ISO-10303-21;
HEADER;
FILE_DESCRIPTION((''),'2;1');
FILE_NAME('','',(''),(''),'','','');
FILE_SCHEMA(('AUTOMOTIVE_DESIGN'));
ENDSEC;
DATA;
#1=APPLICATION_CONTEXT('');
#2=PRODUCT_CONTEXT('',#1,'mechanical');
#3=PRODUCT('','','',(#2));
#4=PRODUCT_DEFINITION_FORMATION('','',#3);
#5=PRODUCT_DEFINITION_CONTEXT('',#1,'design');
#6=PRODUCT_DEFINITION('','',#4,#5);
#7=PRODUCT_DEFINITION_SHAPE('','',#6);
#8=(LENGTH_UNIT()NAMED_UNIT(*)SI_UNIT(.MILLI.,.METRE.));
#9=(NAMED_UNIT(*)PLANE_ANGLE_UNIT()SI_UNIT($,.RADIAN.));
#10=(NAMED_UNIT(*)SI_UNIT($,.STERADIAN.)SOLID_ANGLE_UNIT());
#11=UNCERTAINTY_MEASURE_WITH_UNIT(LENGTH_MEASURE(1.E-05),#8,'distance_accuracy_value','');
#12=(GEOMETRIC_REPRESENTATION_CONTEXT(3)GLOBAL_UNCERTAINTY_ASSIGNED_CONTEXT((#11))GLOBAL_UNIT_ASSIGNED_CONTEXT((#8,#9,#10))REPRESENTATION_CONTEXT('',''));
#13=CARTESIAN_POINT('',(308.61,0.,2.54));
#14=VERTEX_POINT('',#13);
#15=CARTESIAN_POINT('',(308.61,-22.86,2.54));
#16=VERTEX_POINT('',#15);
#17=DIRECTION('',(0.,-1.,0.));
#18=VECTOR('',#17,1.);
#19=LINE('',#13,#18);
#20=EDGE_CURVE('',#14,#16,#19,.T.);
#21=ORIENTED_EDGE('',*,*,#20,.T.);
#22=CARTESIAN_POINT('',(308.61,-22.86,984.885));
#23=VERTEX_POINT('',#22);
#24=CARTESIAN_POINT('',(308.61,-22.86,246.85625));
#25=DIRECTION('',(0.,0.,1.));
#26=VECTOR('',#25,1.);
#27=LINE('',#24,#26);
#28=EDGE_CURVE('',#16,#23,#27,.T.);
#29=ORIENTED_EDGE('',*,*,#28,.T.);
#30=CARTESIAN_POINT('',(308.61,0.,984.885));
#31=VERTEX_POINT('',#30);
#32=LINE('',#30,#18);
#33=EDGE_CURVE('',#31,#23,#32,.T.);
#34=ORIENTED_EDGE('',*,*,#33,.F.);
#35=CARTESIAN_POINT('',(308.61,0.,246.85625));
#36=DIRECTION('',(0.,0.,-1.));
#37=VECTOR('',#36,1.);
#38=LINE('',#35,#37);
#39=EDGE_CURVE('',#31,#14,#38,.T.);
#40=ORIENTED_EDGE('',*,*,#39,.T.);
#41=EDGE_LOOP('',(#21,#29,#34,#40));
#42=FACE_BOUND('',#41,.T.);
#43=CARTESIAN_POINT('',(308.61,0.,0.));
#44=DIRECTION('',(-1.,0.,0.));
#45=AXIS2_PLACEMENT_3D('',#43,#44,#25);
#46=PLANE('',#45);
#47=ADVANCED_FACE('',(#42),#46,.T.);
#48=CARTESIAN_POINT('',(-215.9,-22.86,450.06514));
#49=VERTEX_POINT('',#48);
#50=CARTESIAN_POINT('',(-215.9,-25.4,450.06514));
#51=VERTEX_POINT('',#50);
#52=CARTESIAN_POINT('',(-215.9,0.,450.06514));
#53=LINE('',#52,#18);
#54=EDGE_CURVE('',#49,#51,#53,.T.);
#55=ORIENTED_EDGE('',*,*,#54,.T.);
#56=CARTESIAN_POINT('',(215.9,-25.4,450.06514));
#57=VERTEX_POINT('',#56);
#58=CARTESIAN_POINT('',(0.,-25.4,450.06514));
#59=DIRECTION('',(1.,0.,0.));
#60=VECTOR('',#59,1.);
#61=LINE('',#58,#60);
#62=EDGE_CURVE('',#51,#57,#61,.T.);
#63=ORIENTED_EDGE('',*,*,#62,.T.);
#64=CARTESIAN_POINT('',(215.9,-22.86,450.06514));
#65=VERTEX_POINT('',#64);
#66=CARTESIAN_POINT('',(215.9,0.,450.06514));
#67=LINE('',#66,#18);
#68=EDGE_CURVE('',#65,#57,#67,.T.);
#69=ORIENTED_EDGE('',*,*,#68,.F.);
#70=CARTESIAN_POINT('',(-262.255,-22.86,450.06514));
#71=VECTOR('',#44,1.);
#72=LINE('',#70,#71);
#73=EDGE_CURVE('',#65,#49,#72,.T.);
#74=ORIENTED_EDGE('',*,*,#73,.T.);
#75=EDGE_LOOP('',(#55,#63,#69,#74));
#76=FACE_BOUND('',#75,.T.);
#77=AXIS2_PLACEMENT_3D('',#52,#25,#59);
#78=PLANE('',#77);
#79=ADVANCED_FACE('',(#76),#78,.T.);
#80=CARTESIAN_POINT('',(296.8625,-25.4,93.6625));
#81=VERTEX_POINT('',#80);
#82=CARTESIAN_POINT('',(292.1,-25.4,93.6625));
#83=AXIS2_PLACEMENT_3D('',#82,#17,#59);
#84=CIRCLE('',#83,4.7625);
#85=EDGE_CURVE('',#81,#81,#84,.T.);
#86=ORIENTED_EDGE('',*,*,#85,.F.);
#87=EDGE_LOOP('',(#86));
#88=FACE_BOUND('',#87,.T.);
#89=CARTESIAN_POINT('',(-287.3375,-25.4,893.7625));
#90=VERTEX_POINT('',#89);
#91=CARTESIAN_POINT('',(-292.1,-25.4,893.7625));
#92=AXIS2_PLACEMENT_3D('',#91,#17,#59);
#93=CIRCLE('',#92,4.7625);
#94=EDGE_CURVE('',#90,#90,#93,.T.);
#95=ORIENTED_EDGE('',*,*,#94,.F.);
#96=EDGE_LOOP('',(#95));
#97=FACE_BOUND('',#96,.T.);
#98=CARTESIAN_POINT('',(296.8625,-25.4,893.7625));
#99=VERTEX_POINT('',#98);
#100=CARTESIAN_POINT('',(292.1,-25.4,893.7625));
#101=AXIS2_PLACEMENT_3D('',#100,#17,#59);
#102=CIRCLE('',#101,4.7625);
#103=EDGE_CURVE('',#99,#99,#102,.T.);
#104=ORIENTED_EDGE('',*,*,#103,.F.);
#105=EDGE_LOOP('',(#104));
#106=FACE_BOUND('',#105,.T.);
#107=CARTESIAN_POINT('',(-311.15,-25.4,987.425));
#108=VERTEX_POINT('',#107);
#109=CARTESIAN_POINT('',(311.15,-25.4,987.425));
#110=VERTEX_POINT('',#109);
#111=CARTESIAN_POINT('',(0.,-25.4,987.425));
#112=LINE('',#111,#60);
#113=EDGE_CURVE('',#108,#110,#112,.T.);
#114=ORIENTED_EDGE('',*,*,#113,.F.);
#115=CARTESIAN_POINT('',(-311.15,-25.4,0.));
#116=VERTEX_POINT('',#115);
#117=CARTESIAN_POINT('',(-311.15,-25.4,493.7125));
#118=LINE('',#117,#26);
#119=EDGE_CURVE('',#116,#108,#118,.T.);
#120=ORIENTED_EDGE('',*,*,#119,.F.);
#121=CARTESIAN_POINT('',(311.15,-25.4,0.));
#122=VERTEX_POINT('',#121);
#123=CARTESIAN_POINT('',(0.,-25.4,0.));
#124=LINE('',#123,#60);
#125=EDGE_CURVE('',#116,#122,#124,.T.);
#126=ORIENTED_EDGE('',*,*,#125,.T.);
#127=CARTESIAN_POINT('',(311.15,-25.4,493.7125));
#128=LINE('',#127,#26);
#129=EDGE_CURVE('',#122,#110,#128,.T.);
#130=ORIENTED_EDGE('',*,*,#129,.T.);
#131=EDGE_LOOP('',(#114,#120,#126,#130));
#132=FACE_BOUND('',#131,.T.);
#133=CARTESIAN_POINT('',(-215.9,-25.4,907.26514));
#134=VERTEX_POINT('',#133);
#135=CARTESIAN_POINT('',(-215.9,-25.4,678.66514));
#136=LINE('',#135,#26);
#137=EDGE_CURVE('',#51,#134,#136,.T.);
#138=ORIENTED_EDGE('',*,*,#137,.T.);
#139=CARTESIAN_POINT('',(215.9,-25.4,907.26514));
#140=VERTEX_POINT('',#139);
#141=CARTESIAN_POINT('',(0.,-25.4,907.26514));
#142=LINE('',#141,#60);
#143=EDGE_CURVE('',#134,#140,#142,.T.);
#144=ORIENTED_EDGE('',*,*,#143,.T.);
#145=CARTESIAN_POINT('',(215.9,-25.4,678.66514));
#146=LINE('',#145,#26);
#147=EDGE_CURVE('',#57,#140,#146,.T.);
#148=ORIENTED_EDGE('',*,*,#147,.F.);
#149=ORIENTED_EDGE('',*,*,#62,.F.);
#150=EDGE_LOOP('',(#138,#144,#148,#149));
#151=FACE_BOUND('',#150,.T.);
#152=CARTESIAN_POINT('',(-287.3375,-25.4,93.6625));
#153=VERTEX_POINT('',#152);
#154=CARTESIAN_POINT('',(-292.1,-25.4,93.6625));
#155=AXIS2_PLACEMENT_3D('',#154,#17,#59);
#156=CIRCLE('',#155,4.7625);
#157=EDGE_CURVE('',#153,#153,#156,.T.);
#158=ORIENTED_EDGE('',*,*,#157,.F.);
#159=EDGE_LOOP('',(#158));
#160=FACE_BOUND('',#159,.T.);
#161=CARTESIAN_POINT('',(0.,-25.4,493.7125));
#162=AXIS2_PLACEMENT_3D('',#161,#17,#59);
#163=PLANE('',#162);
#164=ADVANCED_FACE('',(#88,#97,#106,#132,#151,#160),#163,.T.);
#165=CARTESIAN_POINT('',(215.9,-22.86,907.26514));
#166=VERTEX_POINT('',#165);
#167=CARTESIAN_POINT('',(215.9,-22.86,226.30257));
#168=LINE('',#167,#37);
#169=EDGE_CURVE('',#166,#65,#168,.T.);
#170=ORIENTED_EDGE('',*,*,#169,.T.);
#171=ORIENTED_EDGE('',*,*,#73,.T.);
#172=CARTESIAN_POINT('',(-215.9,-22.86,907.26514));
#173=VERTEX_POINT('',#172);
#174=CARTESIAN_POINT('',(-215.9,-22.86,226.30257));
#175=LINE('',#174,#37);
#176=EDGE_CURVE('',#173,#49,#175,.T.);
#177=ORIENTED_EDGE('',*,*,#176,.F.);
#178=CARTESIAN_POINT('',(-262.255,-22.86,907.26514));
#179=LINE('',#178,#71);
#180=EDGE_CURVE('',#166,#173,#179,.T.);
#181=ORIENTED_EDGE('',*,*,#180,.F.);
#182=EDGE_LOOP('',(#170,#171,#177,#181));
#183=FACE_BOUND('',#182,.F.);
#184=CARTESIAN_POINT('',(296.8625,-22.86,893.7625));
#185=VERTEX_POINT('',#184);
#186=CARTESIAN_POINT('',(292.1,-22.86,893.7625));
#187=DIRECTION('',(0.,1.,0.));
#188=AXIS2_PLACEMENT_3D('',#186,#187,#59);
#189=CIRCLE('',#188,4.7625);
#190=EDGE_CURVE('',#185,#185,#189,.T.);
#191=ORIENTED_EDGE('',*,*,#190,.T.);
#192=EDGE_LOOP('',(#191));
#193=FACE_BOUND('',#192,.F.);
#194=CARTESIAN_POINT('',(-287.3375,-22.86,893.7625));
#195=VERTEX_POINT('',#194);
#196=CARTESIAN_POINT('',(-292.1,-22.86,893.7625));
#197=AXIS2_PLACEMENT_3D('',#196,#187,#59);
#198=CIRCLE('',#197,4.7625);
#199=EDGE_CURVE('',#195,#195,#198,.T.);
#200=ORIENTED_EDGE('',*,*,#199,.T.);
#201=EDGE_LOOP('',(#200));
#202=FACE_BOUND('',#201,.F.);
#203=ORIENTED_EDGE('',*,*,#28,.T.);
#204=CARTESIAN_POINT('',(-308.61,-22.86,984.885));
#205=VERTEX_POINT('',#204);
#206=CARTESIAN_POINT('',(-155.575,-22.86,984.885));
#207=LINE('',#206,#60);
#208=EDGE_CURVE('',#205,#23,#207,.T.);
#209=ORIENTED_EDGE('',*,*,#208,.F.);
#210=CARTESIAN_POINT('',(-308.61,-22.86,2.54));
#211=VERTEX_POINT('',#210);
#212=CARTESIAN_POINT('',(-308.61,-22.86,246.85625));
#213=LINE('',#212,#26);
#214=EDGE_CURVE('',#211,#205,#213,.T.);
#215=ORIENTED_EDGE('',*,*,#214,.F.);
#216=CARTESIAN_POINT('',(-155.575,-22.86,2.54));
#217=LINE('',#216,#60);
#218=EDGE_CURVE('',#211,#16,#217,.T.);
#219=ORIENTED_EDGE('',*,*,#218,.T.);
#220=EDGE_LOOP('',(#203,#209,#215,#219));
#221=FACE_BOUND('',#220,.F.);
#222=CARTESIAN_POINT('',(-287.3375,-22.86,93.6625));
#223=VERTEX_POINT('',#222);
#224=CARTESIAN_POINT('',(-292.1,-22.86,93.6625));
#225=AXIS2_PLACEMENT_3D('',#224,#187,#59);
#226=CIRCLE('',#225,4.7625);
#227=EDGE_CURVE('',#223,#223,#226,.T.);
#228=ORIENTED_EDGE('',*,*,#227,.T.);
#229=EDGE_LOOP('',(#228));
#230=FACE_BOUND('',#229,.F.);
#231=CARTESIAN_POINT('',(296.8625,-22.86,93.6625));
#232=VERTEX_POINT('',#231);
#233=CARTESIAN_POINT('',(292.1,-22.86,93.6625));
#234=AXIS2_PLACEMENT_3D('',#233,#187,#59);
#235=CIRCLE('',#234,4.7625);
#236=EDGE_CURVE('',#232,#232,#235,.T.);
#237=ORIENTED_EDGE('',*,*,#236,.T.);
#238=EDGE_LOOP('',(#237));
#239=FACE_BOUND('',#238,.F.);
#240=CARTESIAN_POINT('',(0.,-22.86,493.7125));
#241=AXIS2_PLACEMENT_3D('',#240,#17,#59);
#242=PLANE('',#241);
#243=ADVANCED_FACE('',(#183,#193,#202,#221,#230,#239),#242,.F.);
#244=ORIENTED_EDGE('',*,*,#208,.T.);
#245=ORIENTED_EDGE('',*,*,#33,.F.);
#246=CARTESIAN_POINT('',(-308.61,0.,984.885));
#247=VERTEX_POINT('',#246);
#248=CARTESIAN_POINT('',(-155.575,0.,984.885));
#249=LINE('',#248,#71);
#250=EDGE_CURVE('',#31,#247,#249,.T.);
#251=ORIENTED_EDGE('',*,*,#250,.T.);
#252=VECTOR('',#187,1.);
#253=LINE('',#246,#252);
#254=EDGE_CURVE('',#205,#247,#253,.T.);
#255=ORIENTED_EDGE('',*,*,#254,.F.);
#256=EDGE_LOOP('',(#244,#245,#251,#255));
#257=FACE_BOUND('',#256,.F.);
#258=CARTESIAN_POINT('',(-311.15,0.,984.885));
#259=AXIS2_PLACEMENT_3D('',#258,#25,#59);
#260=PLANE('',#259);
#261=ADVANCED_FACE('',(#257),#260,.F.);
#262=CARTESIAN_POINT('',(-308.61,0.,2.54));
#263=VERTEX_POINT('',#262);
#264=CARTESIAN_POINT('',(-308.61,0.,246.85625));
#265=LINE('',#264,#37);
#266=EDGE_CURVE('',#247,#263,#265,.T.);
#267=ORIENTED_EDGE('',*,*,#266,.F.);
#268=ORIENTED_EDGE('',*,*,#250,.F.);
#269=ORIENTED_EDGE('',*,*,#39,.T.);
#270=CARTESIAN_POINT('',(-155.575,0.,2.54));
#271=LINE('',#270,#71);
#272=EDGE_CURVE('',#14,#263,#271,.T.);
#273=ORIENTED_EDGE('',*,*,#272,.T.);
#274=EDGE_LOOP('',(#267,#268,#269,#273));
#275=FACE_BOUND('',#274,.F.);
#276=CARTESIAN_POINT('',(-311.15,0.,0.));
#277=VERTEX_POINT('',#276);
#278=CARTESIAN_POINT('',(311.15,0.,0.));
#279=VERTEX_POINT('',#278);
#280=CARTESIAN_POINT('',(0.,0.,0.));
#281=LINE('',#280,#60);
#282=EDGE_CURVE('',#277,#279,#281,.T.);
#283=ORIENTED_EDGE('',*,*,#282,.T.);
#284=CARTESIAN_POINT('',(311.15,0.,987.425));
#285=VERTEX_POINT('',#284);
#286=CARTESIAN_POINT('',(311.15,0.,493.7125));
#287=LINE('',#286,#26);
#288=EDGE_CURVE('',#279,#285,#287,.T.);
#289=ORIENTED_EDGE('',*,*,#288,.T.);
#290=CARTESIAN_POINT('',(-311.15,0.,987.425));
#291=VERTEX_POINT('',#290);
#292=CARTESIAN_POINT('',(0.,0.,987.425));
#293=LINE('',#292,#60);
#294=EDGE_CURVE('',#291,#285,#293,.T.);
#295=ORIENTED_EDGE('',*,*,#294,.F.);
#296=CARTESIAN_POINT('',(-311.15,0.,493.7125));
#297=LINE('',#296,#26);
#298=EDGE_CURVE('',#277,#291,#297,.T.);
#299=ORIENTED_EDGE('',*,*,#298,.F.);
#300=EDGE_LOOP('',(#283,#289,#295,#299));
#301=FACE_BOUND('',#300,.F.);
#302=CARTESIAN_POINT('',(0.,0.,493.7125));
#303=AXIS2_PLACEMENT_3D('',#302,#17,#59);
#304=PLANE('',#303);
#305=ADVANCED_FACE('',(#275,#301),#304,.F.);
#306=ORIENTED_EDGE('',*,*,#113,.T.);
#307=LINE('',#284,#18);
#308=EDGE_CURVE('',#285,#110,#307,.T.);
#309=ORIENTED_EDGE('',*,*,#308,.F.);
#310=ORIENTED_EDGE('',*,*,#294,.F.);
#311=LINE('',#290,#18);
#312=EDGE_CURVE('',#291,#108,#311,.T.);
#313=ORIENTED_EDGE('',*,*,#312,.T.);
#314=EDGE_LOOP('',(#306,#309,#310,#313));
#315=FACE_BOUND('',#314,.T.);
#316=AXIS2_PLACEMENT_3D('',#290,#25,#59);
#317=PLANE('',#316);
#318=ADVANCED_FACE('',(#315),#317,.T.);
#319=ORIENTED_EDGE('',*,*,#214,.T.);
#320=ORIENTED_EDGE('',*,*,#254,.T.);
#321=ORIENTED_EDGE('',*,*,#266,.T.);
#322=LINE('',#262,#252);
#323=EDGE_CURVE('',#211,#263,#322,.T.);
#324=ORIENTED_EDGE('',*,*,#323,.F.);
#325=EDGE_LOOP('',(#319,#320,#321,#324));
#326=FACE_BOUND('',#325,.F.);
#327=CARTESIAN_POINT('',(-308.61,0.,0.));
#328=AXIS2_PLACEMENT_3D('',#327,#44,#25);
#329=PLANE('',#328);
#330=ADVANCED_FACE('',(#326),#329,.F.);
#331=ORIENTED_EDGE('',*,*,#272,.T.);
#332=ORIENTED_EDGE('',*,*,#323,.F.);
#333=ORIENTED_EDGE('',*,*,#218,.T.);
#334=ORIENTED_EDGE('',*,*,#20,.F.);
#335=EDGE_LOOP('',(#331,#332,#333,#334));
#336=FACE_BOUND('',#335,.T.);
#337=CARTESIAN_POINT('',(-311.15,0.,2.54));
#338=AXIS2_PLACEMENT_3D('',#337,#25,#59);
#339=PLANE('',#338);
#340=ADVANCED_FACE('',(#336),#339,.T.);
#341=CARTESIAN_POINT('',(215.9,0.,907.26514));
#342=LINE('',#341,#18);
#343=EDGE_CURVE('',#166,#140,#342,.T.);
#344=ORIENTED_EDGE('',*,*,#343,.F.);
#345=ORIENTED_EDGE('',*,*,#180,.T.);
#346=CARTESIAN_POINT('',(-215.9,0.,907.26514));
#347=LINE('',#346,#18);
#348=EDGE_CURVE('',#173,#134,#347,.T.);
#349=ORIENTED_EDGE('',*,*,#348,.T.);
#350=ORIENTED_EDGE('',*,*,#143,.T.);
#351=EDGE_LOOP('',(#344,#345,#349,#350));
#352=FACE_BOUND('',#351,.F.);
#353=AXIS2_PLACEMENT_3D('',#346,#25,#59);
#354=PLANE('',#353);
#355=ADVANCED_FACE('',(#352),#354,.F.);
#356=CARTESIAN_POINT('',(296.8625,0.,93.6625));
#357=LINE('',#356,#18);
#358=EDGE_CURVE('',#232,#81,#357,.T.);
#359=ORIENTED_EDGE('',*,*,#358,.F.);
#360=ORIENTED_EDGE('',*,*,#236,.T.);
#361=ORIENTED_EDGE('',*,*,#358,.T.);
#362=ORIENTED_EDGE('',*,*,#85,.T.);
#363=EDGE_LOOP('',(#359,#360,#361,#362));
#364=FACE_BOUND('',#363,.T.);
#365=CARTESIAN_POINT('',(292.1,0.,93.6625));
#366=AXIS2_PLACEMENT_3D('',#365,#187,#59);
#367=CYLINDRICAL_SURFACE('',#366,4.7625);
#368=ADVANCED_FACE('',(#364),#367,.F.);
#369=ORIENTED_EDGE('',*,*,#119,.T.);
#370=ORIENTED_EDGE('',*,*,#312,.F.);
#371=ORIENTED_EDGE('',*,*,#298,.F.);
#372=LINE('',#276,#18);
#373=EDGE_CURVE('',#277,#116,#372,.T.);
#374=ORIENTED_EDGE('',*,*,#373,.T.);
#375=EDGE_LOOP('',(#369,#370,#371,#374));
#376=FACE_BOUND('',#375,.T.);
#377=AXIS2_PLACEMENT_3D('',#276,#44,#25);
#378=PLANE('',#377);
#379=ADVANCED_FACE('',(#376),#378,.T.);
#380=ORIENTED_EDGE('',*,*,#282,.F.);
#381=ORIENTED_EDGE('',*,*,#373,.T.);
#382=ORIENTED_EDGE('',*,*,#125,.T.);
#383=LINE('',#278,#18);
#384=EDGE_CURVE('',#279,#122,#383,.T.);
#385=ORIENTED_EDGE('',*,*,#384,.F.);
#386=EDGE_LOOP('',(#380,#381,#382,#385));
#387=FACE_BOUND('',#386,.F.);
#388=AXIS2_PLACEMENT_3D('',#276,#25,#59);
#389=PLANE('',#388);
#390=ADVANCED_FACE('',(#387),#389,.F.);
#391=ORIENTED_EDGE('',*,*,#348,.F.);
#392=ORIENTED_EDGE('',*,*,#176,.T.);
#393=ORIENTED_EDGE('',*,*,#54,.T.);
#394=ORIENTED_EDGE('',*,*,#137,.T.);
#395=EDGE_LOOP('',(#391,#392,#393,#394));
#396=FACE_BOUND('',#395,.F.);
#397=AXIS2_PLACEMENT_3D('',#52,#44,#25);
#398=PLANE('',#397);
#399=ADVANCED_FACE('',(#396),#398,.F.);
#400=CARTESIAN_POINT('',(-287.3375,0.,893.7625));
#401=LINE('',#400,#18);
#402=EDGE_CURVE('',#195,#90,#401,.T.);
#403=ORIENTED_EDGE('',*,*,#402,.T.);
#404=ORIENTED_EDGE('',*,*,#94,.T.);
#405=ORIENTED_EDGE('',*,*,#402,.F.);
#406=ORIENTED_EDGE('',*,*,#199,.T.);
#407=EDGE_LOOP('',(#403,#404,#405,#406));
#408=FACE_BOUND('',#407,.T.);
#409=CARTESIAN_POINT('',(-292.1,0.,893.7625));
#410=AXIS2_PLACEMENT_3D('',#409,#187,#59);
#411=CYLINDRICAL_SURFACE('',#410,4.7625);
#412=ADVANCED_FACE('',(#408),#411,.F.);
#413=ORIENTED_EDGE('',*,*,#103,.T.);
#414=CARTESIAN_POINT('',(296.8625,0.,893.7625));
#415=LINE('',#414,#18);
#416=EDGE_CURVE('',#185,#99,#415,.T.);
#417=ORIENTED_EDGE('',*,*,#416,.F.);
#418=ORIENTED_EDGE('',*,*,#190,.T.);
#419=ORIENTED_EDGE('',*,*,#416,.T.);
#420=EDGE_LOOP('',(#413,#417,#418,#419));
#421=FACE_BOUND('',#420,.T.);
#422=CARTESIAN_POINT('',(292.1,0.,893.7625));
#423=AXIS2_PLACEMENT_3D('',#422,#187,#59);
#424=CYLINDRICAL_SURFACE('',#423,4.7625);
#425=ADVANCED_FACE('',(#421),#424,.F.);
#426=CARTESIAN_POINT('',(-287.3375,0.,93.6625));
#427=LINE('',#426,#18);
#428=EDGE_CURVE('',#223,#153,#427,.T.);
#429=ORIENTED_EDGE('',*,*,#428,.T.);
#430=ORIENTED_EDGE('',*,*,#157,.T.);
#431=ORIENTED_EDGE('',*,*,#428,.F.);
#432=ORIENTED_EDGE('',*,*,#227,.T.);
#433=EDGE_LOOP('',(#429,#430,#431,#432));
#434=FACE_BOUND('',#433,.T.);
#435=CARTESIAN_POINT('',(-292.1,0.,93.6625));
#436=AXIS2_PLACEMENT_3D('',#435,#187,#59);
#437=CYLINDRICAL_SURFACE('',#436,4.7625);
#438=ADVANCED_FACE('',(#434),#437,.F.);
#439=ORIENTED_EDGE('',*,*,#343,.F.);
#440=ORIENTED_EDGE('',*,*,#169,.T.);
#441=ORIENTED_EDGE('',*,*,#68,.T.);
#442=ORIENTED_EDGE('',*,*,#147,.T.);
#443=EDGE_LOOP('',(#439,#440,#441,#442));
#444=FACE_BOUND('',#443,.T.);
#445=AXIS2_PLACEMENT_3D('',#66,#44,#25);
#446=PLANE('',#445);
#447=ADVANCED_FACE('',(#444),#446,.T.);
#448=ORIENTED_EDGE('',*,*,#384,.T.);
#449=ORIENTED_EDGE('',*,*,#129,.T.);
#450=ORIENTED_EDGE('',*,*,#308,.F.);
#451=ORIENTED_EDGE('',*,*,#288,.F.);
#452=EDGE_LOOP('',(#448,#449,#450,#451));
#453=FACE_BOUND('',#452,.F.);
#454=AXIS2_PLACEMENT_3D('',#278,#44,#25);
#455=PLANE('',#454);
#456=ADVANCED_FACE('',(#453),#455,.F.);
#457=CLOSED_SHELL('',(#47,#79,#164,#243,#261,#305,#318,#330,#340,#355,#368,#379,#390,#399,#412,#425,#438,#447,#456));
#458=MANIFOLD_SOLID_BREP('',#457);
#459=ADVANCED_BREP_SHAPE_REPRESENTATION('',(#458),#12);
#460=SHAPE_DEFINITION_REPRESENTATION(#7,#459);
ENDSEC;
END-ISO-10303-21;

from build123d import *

# Parameters (mm, degrees)
F0_W     = 622.3
F0_H     = 987.425
F0_R     = 4.7625
F0_W_2   = 431.8
F0_H_2   = 457.2
F1_DEPTH = 25.4
F2_T     = -2.54
F3_W     = 617.22
F3_H     = 22.86
F4_DEPTH = 982.345


with BuildPart() as f1:
    # F0 (on Front) → F1 (new body)
    with BuildSketch(Plane.XZ):
        with Locations((0, 493.7125)):
            Rectangle(F0_W, F0_H)
        with Locations((-292.1, 93.6625)):
            Circle(F0_R, mode=Mode.SUBTRACT)
        with Locations((292.1, 93.6625)):
            Circle(F0_R, mode=Mode.SUBTRACT)
        with Locations((-292.1, 893.7625)):
            Circle(F0_R, mode=Mode.SUBTRACT)
        with Locations((0, 678.66514)):
            Rectangle(F0_W_2, F0_H_2, mode=Mode.SUBTRACT)
        with Locations((292.1, 893.7625)):
            Circle(F0_R, mode=Mode.SUBTRACT)
    extrude(amount=F1_DEPTH)

    # F2
    f2_openings = [f1.faces().sort_by_distance(p)[0] for p in [
        (0, 0, 406.102773),
    ]]
    offset(amount=F2_T, openings=f2_openings, kind=Kind.INTERSECTION)

    # F3 (on face) → F4 (cut, through all)
    with BuildSketch(Plane.XY.offset(2.54)):
        with Locations((0, -11.43)):
            Rectangle(F3_W, F3_H)
    extrude(amount=F4_DEPTH, mode=Mode.SUBTRACT)


solid = f1.part
